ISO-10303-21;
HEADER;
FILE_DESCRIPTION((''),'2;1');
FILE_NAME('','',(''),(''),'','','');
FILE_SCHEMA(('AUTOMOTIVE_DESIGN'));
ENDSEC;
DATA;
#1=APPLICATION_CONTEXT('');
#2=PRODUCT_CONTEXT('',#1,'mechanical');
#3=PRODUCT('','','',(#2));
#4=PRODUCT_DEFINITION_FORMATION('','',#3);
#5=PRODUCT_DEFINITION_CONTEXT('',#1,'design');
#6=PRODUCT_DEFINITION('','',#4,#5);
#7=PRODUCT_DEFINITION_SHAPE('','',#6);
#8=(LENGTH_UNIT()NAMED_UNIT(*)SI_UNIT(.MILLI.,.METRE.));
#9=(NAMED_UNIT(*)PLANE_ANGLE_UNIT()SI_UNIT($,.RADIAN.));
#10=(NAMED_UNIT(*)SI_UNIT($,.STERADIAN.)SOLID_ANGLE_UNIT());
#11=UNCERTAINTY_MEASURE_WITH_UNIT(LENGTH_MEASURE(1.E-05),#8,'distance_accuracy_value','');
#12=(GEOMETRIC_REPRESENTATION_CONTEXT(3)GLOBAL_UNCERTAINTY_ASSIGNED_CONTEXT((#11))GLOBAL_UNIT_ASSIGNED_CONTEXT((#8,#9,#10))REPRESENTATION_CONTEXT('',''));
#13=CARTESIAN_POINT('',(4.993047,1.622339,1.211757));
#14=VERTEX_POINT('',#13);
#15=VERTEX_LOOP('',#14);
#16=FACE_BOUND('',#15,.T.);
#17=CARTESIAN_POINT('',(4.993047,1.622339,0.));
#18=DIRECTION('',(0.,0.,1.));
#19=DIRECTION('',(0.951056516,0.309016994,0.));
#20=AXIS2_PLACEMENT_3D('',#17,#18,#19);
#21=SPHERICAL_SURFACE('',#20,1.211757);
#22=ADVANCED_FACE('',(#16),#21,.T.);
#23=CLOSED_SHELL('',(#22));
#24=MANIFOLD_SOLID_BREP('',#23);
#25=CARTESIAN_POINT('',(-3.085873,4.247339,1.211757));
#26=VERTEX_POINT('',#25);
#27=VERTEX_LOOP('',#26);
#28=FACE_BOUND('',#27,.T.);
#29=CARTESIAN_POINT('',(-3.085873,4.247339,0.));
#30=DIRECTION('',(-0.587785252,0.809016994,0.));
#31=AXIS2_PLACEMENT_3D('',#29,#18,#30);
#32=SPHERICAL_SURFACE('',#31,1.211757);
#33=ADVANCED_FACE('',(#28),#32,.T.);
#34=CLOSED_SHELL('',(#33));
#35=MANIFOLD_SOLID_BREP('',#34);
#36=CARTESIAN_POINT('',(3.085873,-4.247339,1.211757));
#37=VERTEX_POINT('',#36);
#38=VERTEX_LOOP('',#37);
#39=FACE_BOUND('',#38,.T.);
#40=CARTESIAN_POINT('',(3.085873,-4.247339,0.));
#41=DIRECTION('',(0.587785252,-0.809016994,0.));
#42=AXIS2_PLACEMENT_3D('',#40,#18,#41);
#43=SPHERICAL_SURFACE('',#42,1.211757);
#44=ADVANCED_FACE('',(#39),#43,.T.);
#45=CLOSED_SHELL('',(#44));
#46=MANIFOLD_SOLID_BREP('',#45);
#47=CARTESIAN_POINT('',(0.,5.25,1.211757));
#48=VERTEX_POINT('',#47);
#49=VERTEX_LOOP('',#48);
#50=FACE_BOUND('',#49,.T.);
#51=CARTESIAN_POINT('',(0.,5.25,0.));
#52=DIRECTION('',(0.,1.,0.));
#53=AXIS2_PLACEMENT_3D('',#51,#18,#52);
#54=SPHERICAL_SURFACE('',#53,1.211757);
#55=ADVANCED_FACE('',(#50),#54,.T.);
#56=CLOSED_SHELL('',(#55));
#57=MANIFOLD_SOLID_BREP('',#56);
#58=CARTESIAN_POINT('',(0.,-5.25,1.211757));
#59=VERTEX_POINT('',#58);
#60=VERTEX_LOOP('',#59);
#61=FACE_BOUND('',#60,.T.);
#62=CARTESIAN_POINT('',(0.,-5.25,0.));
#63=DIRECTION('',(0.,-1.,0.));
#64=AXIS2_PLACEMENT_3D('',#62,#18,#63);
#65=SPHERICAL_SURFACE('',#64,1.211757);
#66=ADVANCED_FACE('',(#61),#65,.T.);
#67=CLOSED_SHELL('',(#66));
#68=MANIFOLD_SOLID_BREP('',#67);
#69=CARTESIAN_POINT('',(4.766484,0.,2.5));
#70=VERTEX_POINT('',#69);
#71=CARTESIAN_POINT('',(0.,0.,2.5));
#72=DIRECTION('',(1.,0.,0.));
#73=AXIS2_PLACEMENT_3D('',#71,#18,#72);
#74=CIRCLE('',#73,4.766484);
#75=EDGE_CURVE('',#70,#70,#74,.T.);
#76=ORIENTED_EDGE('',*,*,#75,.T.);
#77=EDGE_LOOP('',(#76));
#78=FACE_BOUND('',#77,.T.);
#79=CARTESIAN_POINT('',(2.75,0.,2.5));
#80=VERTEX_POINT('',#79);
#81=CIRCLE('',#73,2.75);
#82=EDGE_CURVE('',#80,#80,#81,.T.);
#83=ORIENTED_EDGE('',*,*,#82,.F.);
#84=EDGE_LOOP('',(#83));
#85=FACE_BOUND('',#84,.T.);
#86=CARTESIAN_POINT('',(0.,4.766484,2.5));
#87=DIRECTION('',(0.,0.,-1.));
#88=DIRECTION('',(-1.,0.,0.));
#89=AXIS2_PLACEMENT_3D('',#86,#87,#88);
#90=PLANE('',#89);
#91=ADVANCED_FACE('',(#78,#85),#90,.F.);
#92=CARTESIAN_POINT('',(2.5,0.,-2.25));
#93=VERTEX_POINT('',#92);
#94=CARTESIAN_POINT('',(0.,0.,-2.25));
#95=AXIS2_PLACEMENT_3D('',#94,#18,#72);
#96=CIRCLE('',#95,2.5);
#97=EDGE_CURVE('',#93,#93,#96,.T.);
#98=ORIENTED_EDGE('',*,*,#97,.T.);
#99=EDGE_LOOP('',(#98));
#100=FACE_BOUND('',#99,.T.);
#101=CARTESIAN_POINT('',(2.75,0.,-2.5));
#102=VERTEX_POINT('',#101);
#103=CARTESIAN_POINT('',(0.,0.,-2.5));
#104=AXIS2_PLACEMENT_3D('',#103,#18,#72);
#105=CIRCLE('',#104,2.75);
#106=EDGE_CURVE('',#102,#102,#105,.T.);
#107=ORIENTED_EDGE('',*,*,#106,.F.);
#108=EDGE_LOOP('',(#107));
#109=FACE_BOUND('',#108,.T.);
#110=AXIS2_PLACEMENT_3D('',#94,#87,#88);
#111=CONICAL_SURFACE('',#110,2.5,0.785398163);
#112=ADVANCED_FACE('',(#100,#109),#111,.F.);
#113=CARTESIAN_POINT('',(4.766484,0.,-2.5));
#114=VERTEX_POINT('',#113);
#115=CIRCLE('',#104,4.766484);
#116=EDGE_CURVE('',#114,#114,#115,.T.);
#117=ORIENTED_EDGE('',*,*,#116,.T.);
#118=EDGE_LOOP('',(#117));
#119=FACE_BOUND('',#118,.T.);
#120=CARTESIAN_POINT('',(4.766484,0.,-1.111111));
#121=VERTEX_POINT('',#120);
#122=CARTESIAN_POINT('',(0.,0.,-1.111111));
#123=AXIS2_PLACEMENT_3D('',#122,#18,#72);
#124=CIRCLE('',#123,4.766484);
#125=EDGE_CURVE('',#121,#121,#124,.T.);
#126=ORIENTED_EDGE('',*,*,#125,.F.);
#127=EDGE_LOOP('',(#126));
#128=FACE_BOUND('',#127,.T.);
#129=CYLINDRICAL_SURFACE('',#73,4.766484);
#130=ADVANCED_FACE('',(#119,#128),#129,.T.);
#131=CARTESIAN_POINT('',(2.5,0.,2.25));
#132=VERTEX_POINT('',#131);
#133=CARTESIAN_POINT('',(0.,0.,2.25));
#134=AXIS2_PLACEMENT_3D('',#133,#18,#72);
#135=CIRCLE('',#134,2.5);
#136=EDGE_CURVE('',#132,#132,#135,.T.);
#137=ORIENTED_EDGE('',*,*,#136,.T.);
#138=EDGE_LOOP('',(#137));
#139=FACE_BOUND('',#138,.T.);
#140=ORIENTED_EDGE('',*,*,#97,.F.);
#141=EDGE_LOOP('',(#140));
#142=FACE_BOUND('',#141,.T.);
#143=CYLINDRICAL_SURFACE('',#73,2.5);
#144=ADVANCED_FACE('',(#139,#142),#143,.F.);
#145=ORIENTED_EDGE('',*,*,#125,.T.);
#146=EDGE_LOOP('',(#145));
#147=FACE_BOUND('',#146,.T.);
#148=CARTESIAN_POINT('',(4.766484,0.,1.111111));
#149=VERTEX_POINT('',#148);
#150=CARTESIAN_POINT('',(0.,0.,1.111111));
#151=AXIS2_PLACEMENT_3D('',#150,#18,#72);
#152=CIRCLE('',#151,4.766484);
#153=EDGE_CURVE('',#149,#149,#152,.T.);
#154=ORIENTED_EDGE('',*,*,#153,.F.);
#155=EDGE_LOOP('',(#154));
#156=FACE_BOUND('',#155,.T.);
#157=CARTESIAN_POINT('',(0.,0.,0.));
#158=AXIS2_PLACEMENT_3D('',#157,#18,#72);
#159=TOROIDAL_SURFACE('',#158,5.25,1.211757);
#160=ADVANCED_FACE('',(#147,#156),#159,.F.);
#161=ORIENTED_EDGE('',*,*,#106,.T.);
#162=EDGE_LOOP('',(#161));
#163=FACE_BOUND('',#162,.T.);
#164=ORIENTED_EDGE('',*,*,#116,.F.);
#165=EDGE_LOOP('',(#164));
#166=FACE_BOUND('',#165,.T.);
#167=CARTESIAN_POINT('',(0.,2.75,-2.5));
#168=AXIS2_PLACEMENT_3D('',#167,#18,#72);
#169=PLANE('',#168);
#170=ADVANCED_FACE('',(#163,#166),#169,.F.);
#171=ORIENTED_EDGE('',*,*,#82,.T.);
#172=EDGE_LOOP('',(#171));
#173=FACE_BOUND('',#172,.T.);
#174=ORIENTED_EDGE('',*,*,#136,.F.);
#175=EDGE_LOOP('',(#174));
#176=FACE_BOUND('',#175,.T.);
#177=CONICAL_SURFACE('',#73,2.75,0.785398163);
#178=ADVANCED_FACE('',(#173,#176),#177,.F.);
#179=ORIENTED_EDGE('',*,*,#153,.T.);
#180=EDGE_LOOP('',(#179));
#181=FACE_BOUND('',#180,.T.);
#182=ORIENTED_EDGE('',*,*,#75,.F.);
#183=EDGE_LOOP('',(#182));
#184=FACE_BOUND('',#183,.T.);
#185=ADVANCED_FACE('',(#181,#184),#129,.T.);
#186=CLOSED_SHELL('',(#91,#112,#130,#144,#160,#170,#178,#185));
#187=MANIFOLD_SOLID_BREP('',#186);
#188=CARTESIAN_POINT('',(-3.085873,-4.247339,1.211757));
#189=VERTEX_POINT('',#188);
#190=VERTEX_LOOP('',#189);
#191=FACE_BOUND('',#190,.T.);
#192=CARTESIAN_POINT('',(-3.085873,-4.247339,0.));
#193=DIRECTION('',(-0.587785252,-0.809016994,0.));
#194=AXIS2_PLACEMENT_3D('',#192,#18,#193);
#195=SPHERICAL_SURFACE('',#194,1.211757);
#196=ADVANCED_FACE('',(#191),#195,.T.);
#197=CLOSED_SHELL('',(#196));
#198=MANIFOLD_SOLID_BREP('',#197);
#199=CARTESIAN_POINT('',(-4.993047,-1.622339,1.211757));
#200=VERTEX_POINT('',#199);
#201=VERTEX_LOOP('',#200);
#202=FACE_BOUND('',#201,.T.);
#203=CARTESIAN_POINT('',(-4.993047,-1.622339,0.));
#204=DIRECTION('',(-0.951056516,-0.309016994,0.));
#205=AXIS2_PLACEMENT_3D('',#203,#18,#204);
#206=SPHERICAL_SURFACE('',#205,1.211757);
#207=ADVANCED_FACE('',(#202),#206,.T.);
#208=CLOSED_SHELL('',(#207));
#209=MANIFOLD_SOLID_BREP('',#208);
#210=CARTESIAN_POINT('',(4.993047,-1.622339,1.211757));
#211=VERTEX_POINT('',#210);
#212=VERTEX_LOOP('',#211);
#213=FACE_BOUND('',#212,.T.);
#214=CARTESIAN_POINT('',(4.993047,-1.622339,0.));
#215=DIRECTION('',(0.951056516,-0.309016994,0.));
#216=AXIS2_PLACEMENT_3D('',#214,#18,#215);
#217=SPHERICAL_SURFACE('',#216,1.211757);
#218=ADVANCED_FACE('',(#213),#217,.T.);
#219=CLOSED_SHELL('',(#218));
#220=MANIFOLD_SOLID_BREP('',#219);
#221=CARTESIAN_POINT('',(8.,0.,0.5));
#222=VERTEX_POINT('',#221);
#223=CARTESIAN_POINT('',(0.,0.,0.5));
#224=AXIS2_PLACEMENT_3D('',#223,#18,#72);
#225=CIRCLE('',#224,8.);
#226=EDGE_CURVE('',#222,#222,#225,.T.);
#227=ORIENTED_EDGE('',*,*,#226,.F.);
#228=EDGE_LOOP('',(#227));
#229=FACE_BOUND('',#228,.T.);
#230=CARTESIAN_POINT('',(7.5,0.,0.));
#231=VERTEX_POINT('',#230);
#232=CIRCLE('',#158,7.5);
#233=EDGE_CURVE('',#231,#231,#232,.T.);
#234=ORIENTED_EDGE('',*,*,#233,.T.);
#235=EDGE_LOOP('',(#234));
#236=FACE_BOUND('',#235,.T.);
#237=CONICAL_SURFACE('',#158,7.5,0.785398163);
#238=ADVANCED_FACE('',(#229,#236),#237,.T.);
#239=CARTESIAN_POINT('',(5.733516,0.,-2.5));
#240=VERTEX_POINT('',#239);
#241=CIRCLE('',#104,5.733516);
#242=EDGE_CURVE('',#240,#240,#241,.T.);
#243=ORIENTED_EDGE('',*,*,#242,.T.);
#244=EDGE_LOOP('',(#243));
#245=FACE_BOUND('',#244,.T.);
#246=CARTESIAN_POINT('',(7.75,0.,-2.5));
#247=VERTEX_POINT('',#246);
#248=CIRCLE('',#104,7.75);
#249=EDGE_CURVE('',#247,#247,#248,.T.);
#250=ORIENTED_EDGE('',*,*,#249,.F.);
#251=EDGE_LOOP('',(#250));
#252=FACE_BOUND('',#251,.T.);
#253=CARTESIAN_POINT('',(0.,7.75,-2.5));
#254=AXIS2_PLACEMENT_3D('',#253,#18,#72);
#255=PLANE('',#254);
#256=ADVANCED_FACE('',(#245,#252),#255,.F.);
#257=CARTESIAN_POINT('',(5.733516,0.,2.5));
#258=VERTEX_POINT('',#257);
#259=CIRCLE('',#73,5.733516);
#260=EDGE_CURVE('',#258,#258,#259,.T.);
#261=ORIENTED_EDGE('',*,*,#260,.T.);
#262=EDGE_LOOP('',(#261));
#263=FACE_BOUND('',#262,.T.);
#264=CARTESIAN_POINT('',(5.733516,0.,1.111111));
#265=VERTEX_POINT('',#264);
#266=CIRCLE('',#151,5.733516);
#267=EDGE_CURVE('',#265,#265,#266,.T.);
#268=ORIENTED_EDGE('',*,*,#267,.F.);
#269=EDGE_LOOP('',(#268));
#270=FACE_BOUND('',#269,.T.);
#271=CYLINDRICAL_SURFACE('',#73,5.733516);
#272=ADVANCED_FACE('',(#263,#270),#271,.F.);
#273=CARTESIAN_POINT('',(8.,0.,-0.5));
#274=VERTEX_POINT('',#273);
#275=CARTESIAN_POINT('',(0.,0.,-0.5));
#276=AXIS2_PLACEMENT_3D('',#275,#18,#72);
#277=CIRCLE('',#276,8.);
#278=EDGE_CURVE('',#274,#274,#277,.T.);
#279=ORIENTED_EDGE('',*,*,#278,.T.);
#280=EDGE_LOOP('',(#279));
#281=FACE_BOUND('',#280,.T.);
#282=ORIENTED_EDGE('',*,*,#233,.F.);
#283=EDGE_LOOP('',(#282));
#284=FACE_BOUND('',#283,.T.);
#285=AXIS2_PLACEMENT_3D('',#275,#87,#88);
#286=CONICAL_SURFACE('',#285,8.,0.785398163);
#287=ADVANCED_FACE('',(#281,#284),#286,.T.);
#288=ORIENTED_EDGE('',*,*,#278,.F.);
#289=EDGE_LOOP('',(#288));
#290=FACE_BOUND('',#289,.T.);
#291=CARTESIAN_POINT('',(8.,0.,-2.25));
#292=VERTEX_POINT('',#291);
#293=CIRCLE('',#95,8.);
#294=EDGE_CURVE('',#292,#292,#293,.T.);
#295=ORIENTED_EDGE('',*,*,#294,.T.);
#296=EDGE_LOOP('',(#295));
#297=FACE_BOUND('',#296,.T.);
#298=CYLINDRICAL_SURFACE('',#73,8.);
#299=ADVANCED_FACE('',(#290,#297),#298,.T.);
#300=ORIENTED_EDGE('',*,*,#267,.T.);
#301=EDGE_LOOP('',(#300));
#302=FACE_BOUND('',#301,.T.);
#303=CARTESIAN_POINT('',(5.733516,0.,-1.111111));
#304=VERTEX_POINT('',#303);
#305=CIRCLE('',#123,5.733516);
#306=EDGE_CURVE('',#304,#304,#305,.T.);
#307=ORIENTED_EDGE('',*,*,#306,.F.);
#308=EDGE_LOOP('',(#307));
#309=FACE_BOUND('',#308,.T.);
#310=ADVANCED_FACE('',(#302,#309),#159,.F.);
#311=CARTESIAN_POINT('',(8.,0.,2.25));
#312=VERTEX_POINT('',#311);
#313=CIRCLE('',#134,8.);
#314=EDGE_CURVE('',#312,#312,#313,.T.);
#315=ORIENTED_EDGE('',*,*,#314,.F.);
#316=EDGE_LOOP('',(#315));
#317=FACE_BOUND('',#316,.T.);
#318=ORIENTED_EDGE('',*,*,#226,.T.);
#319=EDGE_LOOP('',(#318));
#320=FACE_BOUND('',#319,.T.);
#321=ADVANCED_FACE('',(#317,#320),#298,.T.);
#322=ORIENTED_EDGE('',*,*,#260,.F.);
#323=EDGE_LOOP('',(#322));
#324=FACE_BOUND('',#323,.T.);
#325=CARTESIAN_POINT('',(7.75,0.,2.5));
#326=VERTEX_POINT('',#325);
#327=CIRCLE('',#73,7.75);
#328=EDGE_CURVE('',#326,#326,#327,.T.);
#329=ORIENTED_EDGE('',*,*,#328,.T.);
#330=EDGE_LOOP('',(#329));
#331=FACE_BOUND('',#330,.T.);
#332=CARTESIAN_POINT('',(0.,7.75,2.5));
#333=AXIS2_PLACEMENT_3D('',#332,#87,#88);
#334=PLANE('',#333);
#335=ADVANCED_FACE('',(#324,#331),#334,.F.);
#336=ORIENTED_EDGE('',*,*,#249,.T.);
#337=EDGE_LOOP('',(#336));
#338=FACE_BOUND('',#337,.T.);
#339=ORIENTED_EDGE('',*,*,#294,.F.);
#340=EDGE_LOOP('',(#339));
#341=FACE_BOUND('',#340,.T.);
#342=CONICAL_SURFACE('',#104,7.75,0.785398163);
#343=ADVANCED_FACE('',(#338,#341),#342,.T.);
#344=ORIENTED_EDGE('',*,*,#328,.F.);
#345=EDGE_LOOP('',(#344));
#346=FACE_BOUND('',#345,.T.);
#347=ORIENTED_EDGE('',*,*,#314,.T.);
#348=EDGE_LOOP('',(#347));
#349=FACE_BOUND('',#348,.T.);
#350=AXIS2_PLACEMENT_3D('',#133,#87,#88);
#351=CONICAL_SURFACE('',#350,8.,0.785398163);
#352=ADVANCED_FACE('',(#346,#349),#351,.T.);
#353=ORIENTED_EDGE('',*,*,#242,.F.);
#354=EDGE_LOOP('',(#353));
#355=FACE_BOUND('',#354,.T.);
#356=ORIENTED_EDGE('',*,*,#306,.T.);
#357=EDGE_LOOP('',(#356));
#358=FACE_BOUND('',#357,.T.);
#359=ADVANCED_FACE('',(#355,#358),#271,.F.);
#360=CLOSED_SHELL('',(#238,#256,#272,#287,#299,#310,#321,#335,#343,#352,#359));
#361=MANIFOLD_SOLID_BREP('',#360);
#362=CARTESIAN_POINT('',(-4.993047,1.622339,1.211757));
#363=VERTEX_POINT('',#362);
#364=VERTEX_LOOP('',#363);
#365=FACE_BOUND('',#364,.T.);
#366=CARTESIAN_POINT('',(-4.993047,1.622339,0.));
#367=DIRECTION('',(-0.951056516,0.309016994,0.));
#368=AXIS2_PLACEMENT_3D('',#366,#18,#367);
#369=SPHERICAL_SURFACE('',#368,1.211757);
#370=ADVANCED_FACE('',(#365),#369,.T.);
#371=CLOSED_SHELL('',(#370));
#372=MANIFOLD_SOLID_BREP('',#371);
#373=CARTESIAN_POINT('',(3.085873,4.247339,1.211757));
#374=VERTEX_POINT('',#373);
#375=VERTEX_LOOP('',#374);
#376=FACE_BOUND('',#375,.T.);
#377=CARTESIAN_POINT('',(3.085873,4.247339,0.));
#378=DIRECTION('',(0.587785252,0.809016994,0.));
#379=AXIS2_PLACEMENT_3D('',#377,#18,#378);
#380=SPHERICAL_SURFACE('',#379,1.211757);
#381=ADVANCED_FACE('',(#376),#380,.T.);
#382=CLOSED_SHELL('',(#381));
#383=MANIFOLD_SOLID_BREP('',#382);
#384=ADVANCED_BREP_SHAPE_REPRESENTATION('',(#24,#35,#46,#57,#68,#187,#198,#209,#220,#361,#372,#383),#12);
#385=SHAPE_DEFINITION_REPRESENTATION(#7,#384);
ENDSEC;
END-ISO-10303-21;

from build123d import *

# Parameters (mm, degrees)
CIRPATTERN1_COUNT = 10


with BuildPart() as part:
    # Sketch1 → Revolve1 (revolve)
    with BuildSketch(Plane(origin=(0, 0, 0), x_dir=(0, 0, -1), z_dir=(1, 0, 0))):
        with BuildLine():
            Line((2.25, 8), (0.5, 8))
            Line((0.5, 8), (0, 7.5))
            Line((0, 7.5), (-0.5, 8))
            Line((-0.5, 8), (-2.25, 8))
            Line((-2.25, 8), (-2.5, 7.75))
            Line((-2.5, 7.75), (-2.5, 5.733516484))
            Line((-2.5, 5.733516484), (-1.111111111, 5.733516484))
            ThreePointArc((-1.111111111, 5.733516484), (0, 6.461757439), (1.111111111, 5.733516484))
            Line((1.111111111, 5.733516484), (2.5, 5.733516484))
            Line((2.5, 5.733516484), (2.5, 7.75))
            Line((2.5, 7.75), (2.25, 8))
        make_face()
    revolve(axis=Axis((0, 0, 2.5), (0, 0, -1)))


with BuildPart() as body_2:
    # Sketch3 → Revolve3 (revolve)
    with BuildSketch(Plane(origin=(0, 0, 0), x_dir=(0, 0, -1), z_dir=(1, 0, 0))):
        with BuildLine():
            Line((-2.5, 4.766483516), (-1.111111111, 4.766483516))
            ThreePointArc((-1.111111111, 4.766483516), (0, 4.038242561), (1.111111111, 4.766483516))
            Line((1.111111111, 4.766483516), (2.5, 4.766483516))
            Line((2.5, 4.766483516), (2.5, 2.75))
            Line((2.5, 2.75), (2.25, 2.5))
            Line((2.25, 2.5), (-2.25, 2.5))
            Line((-2.25, 2.5), (-2.5, 2.75))
            Line((-2.5, 2.75), (-2.5, 4.766483516))
        make_face()
    revolve(axis=Axis((0, 0, 2.5), (0, 0, -1)))


with BuildPart() as body_3:
    # Sketch4 → Revolve4 (revolve)
    with BuildSketch(Plane(origin=(0, 0, 0), x_dir=(0, 0, -1), z_dir=(1, 0, 0))):
        with BuildLine():
            Line((-1.211757439, 5.25), (1.211757439, 5.25))
            ThreePointArc((1.211757439, 5.25), (0, 6.461757439), (-1.211757439, 5.25))
        make_face()
    revolve(axis=Axis((0, 5.25, 1.211757439), (0, 0, -1)))


with BuildPart() as cirpattern1_1:
    # CirPattern1: pattern copy
    add(body_3.part.rotate(Axis((0, 0, -2.5), (0, 0, 1)), 1 * 360 / CIRPATTERN1_COUNT))


with BuildPart() as cirpattern1_2:
    # CirPattern1: pattern copy
    add(body_3.part.rotate(Axis((0, 0, -2.5), (0, 0, 1)), 2 * 360 / CIRPATTERN1_COUNT))


with BuildPart() as cirpattern1_3:
    # CirPattern1: pattern copy
    add(body_3.part.rotate(Axis((0, 0, -2.5), (0, 0, 1)), 3 * 360 / CIRPATTERN1_COUNT))


with BuildPart() as cirpattern1_4:
    # CirPattern1: pattern copy
    add(body_3.part.rotate(Axis((0, 0, -2.5), (0, 0, 1)), 4 * 360 / CIRPATTERN1_COUNT))


with BuildPart() as cirpattern1_5:
    # CirPattern1: pattern copy
    add(body_3.part.rotate(Axis((0, 0, -2.5), (0, 0, 1)), 5 * 360 / CIRPATTERN1_COUNT))


with BuildPart() as cirpattern1_6:
    # CirPattern1: pattern copy
    add(body_3.part.rotate(Axis((0, 0, -2.5), (0, 0, 1)), 6 * 360 / CIRPATTERN1_COUNT))


with BuildPart() as cirpattern1_7:
    # CirPattern1: pattern copy
    add(body_3.part.rotate(Axis((0, 0, -2.5), (0, 0, 1)), 7 * 360 / CIRPATTERN1_COUNT))


with BuildPart() as cirpattern1_8:
    # CirPattern1: pattern copy
    add(body_3.part.rotate(Axis((0, 0, -2.5), (0, 0, 1)), 8 * 360 / CIRPATTERN1_COUNT))


with BuildPart() as cirpattern1_9:
    # CirPattern1: pattern copy
    add(body_3.part.rotate(Axis((0, 0, -2.5), (0, 0, 1)), 9 * 360 / CIRPATTERN1_COUNT))


solid = Compound([part.part, body_2.part, body_3.part, cirpattern1_1.part, cirpattern1_2.part, cirpattern1_3.part, cirpattern1_4.part, cirpattern1_5.part, cirpattern1_6.part, cirpattern1_7.part, cirpattern1_8.part, cirpattern1_9.part])
